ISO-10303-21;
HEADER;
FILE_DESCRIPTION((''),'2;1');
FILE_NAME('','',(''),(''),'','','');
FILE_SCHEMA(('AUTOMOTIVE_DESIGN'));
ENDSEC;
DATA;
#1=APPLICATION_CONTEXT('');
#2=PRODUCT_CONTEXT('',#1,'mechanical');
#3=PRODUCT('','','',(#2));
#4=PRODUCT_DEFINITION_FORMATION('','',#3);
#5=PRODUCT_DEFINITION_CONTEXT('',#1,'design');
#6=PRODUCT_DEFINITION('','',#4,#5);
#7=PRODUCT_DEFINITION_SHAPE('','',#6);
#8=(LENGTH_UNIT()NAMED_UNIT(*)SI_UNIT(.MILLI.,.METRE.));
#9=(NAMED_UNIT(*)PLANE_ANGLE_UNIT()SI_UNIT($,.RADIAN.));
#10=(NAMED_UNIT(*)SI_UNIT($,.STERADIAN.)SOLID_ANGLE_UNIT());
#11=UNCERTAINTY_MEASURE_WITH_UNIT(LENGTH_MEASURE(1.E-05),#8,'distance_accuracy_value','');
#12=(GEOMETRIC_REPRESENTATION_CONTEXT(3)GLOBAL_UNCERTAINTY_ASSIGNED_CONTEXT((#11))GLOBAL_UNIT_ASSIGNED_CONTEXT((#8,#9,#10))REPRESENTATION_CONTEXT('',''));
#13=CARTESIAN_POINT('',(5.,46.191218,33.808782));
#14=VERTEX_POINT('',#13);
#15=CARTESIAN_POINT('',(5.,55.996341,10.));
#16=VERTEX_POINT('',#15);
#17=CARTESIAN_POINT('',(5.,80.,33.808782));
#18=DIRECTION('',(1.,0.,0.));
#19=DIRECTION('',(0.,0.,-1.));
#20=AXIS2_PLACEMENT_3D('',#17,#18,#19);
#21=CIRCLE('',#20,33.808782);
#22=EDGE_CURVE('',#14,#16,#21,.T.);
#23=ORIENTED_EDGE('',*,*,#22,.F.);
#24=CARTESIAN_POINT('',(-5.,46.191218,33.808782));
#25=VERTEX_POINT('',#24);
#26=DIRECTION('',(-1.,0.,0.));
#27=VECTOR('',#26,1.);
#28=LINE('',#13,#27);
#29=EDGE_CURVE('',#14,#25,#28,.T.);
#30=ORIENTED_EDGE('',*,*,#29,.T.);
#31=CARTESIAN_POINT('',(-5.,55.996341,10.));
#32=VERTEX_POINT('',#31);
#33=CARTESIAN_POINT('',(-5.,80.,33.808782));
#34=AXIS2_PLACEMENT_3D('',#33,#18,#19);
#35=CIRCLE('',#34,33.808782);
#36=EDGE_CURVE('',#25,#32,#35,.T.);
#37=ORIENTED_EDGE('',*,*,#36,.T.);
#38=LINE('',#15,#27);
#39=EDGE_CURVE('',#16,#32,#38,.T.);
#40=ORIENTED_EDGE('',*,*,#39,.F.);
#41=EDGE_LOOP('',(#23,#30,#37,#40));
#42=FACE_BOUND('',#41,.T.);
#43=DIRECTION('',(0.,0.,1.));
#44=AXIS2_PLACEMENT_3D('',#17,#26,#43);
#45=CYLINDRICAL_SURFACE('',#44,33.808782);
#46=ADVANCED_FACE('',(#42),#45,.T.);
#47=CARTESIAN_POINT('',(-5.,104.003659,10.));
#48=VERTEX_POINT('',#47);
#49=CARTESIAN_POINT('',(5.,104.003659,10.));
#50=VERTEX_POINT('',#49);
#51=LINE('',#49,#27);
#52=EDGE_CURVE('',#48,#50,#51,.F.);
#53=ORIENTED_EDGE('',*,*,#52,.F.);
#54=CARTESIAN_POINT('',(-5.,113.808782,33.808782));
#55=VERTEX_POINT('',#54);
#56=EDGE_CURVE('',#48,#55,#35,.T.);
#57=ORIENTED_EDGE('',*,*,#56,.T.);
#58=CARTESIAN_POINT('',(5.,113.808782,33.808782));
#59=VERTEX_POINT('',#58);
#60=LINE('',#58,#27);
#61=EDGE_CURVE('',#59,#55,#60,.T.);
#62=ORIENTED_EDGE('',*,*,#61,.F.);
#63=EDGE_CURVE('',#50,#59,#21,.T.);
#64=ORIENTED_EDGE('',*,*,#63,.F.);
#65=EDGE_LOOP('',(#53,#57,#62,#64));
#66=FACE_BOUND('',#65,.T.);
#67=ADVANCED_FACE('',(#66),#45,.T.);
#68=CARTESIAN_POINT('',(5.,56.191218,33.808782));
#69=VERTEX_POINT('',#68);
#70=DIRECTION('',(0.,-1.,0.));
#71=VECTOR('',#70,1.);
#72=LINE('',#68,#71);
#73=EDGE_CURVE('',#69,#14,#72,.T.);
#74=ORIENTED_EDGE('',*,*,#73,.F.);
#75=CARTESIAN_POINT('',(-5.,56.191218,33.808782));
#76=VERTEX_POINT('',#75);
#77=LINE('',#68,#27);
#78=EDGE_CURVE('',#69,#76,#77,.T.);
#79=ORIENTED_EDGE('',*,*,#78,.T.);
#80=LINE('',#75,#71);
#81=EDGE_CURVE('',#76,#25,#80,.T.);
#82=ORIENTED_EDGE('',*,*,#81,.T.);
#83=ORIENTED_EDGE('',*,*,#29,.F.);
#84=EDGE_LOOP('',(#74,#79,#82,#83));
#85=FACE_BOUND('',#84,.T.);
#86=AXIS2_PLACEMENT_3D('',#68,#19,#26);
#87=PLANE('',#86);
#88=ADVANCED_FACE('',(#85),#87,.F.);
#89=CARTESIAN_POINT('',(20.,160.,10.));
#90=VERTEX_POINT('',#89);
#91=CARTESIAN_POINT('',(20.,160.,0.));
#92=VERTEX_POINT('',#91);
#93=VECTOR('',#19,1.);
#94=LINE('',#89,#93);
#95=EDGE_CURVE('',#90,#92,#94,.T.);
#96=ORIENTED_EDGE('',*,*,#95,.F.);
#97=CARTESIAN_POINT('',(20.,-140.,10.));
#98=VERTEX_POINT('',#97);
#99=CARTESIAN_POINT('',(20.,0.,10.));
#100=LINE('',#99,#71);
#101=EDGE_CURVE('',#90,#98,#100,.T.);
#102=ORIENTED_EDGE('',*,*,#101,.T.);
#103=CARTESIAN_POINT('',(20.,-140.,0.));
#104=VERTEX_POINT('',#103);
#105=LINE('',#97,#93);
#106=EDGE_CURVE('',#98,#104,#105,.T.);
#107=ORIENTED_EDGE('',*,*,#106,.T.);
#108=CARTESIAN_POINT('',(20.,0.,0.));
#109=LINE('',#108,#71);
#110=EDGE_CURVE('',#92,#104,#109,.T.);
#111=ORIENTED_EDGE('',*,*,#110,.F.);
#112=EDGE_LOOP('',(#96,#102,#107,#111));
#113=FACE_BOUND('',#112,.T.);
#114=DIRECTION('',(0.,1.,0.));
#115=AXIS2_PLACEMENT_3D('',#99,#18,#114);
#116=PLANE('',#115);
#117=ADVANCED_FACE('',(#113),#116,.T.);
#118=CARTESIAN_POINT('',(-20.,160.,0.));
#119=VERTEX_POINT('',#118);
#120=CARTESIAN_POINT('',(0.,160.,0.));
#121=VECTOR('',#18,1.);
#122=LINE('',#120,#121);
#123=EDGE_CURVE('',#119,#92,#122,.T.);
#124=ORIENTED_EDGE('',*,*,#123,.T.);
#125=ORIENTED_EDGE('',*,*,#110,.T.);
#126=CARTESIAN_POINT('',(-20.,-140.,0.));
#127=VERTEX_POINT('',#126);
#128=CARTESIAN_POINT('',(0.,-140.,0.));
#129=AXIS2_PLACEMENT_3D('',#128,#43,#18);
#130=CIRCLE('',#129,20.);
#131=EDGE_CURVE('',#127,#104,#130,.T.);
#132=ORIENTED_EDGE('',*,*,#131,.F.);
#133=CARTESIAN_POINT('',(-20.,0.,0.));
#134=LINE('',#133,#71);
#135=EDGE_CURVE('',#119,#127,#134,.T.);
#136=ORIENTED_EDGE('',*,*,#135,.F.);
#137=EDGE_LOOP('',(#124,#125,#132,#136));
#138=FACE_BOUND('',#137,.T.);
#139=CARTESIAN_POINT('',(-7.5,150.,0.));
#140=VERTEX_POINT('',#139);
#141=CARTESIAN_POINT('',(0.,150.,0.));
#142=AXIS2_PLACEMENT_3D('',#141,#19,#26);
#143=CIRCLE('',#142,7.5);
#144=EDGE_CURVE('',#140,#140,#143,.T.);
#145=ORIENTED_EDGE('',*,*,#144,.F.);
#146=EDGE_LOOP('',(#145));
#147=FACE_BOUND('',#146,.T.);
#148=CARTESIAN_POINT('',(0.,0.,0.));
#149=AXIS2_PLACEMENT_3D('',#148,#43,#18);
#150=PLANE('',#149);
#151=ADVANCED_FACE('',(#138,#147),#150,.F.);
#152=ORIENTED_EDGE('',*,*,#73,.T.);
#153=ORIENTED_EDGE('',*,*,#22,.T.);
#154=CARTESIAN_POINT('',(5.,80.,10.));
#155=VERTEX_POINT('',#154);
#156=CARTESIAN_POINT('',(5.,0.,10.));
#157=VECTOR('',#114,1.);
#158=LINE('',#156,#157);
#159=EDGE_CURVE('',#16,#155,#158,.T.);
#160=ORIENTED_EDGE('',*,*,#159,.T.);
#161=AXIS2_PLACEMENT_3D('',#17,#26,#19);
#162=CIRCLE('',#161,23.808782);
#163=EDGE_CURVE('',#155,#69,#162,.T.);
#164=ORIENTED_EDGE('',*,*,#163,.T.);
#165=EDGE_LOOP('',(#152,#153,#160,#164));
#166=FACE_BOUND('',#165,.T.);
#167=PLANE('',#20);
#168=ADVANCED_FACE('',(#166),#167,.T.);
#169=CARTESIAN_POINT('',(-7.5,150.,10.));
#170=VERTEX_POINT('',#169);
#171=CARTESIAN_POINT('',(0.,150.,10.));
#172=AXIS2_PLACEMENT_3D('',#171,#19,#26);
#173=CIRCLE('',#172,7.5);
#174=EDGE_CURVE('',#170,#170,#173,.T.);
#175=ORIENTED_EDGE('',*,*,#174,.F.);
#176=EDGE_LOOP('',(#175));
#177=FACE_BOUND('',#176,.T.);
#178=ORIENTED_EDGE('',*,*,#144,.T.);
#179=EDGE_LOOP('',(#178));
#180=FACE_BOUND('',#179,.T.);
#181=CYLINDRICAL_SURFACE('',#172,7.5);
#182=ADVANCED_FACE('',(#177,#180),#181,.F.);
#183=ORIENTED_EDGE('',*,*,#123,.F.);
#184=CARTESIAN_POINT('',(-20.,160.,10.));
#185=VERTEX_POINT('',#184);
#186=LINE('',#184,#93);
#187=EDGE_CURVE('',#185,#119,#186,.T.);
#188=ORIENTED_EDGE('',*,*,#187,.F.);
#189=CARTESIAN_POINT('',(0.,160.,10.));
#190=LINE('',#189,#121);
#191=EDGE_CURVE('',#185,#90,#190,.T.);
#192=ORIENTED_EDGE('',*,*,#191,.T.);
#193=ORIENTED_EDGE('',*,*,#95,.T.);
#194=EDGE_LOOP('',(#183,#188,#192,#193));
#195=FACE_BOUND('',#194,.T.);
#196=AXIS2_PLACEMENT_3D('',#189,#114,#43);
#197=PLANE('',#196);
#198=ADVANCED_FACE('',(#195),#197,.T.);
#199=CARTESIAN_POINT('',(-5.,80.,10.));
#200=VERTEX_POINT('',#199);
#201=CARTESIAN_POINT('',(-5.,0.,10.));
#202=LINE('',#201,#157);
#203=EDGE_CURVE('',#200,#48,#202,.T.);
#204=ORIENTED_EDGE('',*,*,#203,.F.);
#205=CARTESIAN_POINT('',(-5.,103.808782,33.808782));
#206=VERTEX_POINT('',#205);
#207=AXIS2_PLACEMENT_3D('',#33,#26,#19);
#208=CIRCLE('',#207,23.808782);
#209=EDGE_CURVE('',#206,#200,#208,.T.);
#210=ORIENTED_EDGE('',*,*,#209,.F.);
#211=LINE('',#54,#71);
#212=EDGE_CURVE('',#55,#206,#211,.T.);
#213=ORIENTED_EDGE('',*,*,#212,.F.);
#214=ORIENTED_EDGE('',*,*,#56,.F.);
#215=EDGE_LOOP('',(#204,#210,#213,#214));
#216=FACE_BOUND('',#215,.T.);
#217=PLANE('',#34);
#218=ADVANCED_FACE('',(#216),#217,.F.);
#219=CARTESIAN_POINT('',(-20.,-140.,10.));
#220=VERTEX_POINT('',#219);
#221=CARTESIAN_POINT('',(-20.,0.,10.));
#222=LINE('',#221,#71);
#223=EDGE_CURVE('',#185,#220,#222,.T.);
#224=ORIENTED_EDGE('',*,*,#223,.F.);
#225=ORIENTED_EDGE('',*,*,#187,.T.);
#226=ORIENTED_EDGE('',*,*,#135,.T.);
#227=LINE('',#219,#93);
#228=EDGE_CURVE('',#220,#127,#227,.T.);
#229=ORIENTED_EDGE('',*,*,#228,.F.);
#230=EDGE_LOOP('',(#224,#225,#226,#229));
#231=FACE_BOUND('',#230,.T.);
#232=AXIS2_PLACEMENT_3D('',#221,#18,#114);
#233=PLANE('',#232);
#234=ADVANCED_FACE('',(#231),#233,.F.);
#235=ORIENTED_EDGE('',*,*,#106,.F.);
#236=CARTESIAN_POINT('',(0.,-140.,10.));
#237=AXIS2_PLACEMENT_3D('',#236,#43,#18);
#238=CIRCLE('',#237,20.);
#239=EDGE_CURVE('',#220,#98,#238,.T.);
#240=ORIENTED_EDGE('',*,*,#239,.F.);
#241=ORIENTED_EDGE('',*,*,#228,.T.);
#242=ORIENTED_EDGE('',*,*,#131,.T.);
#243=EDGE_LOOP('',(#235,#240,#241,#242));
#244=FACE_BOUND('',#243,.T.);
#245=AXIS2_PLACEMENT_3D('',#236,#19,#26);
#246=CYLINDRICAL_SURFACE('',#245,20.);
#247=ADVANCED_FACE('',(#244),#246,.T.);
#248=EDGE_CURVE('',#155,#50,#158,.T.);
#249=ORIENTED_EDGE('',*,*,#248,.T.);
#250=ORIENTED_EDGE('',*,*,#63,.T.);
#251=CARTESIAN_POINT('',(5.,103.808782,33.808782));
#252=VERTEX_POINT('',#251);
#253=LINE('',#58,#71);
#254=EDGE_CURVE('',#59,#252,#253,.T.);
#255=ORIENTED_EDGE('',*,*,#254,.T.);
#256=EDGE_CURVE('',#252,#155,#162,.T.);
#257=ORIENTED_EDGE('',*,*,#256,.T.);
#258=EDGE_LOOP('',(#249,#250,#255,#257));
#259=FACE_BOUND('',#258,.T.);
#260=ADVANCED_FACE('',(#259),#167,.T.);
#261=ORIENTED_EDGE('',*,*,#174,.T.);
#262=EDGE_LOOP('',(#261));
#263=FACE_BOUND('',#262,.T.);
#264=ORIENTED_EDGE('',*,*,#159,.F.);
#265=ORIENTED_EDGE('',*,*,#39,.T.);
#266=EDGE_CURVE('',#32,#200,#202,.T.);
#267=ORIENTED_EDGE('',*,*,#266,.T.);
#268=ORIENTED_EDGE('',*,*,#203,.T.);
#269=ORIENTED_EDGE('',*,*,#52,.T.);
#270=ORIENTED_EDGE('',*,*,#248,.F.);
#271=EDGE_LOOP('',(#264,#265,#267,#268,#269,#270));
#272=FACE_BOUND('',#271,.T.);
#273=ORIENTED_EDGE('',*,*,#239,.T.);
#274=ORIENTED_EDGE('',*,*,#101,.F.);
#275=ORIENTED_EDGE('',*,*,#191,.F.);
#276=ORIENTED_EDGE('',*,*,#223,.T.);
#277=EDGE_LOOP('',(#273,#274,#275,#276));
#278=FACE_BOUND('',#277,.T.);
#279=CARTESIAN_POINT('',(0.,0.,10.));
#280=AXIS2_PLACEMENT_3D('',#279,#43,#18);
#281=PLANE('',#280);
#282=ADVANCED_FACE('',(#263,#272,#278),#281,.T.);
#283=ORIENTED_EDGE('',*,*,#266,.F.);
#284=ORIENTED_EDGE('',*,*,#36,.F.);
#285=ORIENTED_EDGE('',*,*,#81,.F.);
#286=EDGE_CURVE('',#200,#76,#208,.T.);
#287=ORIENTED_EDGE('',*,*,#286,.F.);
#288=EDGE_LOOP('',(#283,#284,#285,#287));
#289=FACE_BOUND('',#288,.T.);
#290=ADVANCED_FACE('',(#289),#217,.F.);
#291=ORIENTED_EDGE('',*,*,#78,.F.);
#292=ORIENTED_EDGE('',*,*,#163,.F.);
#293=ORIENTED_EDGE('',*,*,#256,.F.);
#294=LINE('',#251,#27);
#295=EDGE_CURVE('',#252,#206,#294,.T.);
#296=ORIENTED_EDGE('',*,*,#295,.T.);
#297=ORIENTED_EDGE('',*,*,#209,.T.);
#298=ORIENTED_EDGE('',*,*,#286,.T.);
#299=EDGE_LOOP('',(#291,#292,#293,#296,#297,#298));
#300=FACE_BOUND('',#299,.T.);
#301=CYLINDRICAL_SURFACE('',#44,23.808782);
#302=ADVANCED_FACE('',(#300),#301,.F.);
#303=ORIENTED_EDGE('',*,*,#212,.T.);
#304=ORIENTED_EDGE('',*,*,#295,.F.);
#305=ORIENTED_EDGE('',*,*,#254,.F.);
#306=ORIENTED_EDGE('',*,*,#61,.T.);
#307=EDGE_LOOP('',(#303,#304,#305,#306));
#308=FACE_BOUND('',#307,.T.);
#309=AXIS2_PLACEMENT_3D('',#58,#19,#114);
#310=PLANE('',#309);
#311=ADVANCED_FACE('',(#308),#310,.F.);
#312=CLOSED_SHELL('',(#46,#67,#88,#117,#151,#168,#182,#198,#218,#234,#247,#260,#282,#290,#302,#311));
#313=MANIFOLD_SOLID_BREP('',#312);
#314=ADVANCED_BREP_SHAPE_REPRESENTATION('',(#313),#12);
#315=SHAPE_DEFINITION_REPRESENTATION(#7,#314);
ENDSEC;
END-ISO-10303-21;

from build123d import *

# Parameters (mm, degrees)
BOSS_EXTRUDE2_DEPTH      = 10
SKETCH2_R                = 7.5
CUT_EXTRUDE2_DEPTH       = 10
ELBOW_MOTOR_HOLDER_DEPTH = 5


with BuildPart() as part:
    # Sketch1 → Boss-Extrude2 (new body)
    with BuildSketch(Plane.XY):
        with BuildLine():
            Line((20, 160), (-20, 160))
            Line((-20, 160), (-20, -140.000000151))
            ThreePointArc((-20, -140.000000151), (7.5e-08, -160), (20, -140))
            Line((20, -140), (20, 160))
        make_face()
    extrude(amount=BOSS_EXTRUDE2_DEPTH)

    # Sketch2 → Cut-Extrude2 (cut)
    with BuildSketch(Plane(origin=(0, 0, 0), x_dir=(-1, 0, 0), z_dir=(0, 0, -1))):
        with Locations((0, 150)):
            Circle(SKETCH2_R)
    extrude(amount=-CUT_EXTRUDE2_DEPTH, mode=Mode.SUBTRACT)

    # Sketch3 → elbow motor holder (add, symmetric)
    with BuildSketch(Plane(origin=(0, 0, 0), x_dir=(0, 0, -1), z_dir=(1, 0, 0))):
        with BuildLine():
            Line((-33.808782217, 113.808782217), (-33.808782217, 103.808782217))
            ThreePointArc((-33.808782217, 103.808782217), (-10, 80), (-33.808782217, 56.191217783))
            Line((-33.808782217, 56.191217783), (-33.808782217, 46.191217783))
            ThreePointArc((-33.808782217, 46.191217783), (0, 80), (-33.808782217, 113.808782217))
        make_face()
    extrude(amount=ELBOW_MOTOR_HOLDER_DEPTH, both=True)


solid = part.part
